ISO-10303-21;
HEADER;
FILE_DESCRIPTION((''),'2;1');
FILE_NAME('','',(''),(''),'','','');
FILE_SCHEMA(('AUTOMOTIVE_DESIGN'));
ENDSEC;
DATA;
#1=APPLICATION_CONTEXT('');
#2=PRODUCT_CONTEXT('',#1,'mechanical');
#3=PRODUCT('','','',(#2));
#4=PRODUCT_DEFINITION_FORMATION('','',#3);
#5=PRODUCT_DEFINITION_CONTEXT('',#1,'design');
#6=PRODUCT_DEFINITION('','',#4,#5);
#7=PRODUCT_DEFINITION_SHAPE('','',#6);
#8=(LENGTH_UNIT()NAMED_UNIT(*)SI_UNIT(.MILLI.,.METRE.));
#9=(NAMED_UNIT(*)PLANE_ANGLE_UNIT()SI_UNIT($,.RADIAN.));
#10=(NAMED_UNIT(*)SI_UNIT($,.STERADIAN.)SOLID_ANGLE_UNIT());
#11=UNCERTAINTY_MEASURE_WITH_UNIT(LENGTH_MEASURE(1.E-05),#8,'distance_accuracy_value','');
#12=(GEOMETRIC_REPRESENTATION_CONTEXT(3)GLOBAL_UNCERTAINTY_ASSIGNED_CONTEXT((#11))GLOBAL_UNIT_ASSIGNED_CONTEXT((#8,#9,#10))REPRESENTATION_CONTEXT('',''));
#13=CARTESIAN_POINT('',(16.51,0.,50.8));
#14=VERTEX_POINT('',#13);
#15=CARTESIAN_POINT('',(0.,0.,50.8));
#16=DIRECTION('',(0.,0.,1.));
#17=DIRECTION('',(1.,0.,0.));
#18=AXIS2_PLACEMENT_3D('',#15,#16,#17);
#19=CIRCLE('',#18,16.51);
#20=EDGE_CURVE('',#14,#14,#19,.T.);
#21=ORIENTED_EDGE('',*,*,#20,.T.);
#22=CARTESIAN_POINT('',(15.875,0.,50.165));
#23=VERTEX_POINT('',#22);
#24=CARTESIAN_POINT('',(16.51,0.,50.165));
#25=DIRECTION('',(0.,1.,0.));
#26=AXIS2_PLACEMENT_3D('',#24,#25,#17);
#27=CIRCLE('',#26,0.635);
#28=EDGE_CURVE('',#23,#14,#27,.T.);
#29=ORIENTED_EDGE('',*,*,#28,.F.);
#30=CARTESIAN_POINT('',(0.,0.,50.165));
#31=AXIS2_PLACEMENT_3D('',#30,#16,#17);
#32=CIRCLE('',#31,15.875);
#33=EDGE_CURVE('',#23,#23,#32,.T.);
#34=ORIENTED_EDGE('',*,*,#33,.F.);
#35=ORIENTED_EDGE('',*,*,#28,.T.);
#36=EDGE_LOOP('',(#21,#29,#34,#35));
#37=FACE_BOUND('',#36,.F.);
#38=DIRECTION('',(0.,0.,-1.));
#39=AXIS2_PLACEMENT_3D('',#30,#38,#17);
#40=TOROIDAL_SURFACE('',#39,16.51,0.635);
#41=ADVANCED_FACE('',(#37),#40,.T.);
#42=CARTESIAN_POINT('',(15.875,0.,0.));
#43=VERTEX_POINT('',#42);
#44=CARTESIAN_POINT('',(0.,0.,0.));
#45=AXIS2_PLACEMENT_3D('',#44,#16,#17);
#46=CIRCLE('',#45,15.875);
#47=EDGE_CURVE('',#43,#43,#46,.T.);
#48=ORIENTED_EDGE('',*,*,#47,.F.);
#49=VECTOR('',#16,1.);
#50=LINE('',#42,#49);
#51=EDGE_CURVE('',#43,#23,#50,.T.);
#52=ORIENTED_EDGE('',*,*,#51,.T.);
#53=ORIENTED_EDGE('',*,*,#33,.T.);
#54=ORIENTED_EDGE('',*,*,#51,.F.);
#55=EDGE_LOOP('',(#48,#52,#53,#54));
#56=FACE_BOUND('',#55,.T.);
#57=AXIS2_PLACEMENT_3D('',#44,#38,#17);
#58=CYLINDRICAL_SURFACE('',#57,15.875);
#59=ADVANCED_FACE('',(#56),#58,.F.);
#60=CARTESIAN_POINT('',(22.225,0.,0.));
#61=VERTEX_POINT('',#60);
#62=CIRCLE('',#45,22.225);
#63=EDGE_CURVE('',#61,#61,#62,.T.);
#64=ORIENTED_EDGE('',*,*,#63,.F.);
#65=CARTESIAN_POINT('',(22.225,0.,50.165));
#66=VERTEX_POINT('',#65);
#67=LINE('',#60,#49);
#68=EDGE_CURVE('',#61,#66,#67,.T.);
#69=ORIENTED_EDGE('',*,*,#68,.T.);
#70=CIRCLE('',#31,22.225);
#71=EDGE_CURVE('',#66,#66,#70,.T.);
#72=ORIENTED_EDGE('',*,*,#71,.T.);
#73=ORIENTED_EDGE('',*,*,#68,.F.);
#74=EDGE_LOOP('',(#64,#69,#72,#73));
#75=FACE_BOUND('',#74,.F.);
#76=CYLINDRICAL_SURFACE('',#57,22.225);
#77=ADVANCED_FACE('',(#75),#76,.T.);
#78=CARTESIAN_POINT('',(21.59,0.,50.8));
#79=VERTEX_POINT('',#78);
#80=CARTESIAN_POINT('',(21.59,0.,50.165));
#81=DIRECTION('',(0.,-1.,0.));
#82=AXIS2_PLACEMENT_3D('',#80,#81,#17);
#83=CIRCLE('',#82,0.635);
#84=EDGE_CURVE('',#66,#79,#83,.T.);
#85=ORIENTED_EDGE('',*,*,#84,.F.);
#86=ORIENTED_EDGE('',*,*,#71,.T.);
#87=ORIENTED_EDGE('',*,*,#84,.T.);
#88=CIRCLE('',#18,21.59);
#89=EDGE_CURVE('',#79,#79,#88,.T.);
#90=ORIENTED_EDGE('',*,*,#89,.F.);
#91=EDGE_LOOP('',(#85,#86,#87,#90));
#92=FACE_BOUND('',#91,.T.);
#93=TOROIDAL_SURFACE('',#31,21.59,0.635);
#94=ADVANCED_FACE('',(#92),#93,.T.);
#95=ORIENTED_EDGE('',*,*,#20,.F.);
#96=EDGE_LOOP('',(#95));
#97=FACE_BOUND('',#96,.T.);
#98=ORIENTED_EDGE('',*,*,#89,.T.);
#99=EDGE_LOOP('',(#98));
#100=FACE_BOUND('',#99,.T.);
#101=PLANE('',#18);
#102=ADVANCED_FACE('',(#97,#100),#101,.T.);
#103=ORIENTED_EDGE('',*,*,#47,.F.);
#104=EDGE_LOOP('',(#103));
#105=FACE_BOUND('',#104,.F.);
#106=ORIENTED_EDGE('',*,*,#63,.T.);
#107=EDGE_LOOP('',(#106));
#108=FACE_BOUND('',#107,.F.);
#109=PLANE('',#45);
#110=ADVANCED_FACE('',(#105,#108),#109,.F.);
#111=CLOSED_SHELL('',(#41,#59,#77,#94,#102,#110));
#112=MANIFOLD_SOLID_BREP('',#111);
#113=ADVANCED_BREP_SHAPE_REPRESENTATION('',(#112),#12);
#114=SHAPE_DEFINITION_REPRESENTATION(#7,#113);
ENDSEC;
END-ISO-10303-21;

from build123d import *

# Parameters (mm, degrees)
F0_R     = 22.225
F1_DEPTH = 50.8
F2_T     = -6.35
F3_R     = 0.635


with BuildPart() as f1:
    # F0 (on Top) → F1 (new body)
    with BuildSketch(Plane.XY):
        Circle(F0_R)
    extrude(amount=F1_DEPTH)

    # F2
    f2_openings = [f1.faces().sort_by_distance(p)[0] for p in [
        (0, 0, 50.8),
        (0, 0, 0),
    ]]
    offset(amount=F2_T, openings=f2_openings)

    # F3
    f3_edges = [f1.edges().sort_by_distance(p)[0] for p in [
        (-22.225, 0, 50.8),
        (-15.875, 0, 50.8),
    ]]
    fillet(f3_edges, radius=F3_R)


solid = f1.part
